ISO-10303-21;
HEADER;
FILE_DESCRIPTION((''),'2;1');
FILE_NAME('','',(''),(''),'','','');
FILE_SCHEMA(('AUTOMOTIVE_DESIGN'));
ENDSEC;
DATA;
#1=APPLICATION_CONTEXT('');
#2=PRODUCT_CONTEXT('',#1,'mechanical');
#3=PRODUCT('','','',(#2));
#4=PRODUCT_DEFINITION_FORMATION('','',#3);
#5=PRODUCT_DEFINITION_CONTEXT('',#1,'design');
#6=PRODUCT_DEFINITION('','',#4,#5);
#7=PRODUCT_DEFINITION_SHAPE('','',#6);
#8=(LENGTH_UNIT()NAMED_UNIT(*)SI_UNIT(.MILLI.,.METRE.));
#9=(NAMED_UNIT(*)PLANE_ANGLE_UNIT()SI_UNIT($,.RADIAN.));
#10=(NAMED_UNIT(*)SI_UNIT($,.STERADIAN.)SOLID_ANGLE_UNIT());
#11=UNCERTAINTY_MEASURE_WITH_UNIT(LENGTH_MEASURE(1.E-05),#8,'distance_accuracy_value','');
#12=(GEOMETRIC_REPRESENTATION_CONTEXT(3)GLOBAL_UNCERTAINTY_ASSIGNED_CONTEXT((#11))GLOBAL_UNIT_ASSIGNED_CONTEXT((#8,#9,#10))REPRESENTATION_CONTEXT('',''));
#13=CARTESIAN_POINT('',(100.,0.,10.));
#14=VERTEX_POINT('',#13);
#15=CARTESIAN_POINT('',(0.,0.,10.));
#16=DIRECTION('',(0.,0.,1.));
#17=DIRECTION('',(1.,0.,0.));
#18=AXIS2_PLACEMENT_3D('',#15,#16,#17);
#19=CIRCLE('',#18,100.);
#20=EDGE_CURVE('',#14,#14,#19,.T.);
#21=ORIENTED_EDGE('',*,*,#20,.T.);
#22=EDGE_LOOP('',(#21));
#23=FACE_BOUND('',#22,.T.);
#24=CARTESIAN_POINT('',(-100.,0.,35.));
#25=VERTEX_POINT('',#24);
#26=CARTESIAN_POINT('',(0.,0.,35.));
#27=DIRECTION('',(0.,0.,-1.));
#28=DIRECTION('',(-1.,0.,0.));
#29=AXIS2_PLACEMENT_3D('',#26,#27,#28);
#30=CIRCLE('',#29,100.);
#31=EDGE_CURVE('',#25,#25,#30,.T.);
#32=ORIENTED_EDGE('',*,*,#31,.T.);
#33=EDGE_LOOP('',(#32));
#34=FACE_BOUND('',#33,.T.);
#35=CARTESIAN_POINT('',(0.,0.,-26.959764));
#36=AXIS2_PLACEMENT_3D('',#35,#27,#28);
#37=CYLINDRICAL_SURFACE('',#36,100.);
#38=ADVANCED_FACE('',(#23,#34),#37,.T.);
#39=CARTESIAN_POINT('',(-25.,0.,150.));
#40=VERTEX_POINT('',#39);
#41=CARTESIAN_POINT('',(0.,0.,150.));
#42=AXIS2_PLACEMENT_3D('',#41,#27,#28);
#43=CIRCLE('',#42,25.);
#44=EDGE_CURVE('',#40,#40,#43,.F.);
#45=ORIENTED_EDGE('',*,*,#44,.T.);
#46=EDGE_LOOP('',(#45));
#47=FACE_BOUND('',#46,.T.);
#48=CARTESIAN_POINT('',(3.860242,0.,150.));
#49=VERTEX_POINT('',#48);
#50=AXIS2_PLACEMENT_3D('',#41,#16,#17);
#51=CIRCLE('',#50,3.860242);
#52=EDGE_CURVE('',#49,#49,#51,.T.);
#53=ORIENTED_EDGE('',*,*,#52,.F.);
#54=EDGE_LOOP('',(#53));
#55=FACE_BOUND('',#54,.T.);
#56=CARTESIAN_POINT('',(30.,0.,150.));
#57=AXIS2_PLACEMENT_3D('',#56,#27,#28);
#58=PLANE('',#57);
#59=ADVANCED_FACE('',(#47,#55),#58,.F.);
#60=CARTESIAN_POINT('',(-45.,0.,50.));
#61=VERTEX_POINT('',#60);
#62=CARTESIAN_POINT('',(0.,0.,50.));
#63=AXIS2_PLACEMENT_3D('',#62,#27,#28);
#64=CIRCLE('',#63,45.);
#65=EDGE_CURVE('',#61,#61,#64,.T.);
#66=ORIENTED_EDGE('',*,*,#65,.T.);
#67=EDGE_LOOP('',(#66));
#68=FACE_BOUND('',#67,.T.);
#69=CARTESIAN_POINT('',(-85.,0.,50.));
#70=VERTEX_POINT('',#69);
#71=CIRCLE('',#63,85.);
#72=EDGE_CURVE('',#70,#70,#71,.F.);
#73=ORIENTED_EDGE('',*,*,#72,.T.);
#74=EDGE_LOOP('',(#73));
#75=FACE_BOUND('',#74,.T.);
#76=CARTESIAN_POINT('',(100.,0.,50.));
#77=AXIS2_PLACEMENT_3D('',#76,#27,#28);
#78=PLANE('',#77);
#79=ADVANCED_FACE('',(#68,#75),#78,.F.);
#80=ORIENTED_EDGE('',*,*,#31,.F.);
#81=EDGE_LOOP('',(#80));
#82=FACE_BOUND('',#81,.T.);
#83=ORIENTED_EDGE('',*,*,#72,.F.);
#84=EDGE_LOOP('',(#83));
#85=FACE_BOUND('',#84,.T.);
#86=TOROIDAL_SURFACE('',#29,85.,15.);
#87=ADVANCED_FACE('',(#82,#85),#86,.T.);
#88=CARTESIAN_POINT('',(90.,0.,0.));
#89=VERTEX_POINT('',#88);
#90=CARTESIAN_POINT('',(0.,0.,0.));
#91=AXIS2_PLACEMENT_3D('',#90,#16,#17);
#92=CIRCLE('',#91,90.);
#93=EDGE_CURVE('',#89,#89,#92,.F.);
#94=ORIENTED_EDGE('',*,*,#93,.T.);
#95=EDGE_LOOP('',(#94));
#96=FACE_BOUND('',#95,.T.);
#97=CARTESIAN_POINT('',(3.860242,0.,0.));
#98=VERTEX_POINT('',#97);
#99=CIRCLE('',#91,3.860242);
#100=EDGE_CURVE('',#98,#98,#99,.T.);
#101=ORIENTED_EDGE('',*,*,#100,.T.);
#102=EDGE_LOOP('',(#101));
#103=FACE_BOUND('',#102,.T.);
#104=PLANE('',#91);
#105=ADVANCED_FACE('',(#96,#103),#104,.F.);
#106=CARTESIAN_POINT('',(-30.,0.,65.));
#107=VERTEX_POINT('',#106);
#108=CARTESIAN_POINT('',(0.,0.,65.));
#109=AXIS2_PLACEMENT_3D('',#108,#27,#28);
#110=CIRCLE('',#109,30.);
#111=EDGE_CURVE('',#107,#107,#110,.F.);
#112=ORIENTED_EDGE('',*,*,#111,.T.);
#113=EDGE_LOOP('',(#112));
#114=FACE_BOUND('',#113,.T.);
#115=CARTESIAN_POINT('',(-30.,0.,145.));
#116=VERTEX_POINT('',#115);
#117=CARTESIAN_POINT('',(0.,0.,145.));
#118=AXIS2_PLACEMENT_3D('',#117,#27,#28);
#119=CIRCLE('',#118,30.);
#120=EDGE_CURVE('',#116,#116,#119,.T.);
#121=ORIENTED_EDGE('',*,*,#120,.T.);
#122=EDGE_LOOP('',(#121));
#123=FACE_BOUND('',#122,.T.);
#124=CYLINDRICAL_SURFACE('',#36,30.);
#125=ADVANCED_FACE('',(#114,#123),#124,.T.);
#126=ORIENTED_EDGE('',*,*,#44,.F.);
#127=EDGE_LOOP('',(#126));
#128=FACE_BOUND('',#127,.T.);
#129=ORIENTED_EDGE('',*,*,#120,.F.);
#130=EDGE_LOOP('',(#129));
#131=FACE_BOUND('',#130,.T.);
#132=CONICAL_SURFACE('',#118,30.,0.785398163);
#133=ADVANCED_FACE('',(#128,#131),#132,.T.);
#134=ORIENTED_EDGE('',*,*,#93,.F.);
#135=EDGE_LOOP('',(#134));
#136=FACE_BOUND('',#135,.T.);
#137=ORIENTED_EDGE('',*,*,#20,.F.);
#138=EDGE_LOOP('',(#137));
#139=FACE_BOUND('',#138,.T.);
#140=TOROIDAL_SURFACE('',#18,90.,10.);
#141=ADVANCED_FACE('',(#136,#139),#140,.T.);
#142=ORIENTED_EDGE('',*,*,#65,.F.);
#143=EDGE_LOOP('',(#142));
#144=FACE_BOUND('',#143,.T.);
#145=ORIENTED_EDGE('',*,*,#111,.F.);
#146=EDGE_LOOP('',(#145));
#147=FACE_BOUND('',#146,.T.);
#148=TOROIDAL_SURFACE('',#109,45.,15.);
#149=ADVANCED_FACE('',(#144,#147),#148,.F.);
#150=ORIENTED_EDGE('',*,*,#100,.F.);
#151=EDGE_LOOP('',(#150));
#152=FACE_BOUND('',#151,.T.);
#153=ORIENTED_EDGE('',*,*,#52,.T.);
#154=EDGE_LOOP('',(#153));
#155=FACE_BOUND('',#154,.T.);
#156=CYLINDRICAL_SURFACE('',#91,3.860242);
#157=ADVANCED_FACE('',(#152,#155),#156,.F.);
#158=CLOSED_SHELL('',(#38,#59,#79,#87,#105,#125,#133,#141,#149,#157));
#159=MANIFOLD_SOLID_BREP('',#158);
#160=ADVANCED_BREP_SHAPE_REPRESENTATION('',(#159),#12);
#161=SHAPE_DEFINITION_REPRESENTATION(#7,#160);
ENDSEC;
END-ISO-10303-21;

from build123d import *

# Parameters (mm, degrees)
FILLET1_R          = 10
CHAMFER1_SIZE      = 5
FILLET2_R          = 15
SKETCH2_R          = 3.860242373
CUT_EXTRUDE1_DEPTH = 151


with BuildPart() as part:
    # Sketch1 → Revolve1 (revolve)
    with BuildSketch(Plane(origin=(0, 0, 0), x_dir=(1, 0, 0), z_dir=(0, 1, 0)), mode=Mode.PRIVATE) as revolve1_sk:
        Polygon((0, 0), (100, 0), (100, -50), (30, -50), (30, -150), (0, -150), align=None)
    revolve(revolve1_sk.sketch.rotate(Axis((0, 0, -26.959763618), (0, 0, 1)), 180), axis=Axis((0, 0, -26.959763618), (0, 0, 1)))  # turned: the seam where the file's is

    # Fillet1
    fillet1_edges = [part.edges().sort_by_distance(p)[0] for p in [
        (100, 0, 0),
    ]]
    fillet(fillet1_edges, radius=FILLET1_R)

    # Chamfer1
    chamfer1_edges = [part.edges().sort_by_distance(p)[0] for p in [
        (30, 0, 150),
    ]]
    chamfer(chamfer1_edges, length=CHAMFER1_SIZE)

    # Fillet2
    fillet2_edges = [part.edges().sort_by_distance(p)[0] for p in [
        (30, 0, 50),
        (100, 0, 50),
    ]]
    fillet(fillet2_edges, radius=FILLET2_R)

    # Sketch2 → Cut-Extrude1 (cut, through all)
    with BuildSketch(Plane.XY.offset(150)):
        Circle(SKETCH2_R)
    extrude(amount=-CUT_EXTRUDE1_DEPTH, mode=Mode.SUBTRACT)


solid = part.part
